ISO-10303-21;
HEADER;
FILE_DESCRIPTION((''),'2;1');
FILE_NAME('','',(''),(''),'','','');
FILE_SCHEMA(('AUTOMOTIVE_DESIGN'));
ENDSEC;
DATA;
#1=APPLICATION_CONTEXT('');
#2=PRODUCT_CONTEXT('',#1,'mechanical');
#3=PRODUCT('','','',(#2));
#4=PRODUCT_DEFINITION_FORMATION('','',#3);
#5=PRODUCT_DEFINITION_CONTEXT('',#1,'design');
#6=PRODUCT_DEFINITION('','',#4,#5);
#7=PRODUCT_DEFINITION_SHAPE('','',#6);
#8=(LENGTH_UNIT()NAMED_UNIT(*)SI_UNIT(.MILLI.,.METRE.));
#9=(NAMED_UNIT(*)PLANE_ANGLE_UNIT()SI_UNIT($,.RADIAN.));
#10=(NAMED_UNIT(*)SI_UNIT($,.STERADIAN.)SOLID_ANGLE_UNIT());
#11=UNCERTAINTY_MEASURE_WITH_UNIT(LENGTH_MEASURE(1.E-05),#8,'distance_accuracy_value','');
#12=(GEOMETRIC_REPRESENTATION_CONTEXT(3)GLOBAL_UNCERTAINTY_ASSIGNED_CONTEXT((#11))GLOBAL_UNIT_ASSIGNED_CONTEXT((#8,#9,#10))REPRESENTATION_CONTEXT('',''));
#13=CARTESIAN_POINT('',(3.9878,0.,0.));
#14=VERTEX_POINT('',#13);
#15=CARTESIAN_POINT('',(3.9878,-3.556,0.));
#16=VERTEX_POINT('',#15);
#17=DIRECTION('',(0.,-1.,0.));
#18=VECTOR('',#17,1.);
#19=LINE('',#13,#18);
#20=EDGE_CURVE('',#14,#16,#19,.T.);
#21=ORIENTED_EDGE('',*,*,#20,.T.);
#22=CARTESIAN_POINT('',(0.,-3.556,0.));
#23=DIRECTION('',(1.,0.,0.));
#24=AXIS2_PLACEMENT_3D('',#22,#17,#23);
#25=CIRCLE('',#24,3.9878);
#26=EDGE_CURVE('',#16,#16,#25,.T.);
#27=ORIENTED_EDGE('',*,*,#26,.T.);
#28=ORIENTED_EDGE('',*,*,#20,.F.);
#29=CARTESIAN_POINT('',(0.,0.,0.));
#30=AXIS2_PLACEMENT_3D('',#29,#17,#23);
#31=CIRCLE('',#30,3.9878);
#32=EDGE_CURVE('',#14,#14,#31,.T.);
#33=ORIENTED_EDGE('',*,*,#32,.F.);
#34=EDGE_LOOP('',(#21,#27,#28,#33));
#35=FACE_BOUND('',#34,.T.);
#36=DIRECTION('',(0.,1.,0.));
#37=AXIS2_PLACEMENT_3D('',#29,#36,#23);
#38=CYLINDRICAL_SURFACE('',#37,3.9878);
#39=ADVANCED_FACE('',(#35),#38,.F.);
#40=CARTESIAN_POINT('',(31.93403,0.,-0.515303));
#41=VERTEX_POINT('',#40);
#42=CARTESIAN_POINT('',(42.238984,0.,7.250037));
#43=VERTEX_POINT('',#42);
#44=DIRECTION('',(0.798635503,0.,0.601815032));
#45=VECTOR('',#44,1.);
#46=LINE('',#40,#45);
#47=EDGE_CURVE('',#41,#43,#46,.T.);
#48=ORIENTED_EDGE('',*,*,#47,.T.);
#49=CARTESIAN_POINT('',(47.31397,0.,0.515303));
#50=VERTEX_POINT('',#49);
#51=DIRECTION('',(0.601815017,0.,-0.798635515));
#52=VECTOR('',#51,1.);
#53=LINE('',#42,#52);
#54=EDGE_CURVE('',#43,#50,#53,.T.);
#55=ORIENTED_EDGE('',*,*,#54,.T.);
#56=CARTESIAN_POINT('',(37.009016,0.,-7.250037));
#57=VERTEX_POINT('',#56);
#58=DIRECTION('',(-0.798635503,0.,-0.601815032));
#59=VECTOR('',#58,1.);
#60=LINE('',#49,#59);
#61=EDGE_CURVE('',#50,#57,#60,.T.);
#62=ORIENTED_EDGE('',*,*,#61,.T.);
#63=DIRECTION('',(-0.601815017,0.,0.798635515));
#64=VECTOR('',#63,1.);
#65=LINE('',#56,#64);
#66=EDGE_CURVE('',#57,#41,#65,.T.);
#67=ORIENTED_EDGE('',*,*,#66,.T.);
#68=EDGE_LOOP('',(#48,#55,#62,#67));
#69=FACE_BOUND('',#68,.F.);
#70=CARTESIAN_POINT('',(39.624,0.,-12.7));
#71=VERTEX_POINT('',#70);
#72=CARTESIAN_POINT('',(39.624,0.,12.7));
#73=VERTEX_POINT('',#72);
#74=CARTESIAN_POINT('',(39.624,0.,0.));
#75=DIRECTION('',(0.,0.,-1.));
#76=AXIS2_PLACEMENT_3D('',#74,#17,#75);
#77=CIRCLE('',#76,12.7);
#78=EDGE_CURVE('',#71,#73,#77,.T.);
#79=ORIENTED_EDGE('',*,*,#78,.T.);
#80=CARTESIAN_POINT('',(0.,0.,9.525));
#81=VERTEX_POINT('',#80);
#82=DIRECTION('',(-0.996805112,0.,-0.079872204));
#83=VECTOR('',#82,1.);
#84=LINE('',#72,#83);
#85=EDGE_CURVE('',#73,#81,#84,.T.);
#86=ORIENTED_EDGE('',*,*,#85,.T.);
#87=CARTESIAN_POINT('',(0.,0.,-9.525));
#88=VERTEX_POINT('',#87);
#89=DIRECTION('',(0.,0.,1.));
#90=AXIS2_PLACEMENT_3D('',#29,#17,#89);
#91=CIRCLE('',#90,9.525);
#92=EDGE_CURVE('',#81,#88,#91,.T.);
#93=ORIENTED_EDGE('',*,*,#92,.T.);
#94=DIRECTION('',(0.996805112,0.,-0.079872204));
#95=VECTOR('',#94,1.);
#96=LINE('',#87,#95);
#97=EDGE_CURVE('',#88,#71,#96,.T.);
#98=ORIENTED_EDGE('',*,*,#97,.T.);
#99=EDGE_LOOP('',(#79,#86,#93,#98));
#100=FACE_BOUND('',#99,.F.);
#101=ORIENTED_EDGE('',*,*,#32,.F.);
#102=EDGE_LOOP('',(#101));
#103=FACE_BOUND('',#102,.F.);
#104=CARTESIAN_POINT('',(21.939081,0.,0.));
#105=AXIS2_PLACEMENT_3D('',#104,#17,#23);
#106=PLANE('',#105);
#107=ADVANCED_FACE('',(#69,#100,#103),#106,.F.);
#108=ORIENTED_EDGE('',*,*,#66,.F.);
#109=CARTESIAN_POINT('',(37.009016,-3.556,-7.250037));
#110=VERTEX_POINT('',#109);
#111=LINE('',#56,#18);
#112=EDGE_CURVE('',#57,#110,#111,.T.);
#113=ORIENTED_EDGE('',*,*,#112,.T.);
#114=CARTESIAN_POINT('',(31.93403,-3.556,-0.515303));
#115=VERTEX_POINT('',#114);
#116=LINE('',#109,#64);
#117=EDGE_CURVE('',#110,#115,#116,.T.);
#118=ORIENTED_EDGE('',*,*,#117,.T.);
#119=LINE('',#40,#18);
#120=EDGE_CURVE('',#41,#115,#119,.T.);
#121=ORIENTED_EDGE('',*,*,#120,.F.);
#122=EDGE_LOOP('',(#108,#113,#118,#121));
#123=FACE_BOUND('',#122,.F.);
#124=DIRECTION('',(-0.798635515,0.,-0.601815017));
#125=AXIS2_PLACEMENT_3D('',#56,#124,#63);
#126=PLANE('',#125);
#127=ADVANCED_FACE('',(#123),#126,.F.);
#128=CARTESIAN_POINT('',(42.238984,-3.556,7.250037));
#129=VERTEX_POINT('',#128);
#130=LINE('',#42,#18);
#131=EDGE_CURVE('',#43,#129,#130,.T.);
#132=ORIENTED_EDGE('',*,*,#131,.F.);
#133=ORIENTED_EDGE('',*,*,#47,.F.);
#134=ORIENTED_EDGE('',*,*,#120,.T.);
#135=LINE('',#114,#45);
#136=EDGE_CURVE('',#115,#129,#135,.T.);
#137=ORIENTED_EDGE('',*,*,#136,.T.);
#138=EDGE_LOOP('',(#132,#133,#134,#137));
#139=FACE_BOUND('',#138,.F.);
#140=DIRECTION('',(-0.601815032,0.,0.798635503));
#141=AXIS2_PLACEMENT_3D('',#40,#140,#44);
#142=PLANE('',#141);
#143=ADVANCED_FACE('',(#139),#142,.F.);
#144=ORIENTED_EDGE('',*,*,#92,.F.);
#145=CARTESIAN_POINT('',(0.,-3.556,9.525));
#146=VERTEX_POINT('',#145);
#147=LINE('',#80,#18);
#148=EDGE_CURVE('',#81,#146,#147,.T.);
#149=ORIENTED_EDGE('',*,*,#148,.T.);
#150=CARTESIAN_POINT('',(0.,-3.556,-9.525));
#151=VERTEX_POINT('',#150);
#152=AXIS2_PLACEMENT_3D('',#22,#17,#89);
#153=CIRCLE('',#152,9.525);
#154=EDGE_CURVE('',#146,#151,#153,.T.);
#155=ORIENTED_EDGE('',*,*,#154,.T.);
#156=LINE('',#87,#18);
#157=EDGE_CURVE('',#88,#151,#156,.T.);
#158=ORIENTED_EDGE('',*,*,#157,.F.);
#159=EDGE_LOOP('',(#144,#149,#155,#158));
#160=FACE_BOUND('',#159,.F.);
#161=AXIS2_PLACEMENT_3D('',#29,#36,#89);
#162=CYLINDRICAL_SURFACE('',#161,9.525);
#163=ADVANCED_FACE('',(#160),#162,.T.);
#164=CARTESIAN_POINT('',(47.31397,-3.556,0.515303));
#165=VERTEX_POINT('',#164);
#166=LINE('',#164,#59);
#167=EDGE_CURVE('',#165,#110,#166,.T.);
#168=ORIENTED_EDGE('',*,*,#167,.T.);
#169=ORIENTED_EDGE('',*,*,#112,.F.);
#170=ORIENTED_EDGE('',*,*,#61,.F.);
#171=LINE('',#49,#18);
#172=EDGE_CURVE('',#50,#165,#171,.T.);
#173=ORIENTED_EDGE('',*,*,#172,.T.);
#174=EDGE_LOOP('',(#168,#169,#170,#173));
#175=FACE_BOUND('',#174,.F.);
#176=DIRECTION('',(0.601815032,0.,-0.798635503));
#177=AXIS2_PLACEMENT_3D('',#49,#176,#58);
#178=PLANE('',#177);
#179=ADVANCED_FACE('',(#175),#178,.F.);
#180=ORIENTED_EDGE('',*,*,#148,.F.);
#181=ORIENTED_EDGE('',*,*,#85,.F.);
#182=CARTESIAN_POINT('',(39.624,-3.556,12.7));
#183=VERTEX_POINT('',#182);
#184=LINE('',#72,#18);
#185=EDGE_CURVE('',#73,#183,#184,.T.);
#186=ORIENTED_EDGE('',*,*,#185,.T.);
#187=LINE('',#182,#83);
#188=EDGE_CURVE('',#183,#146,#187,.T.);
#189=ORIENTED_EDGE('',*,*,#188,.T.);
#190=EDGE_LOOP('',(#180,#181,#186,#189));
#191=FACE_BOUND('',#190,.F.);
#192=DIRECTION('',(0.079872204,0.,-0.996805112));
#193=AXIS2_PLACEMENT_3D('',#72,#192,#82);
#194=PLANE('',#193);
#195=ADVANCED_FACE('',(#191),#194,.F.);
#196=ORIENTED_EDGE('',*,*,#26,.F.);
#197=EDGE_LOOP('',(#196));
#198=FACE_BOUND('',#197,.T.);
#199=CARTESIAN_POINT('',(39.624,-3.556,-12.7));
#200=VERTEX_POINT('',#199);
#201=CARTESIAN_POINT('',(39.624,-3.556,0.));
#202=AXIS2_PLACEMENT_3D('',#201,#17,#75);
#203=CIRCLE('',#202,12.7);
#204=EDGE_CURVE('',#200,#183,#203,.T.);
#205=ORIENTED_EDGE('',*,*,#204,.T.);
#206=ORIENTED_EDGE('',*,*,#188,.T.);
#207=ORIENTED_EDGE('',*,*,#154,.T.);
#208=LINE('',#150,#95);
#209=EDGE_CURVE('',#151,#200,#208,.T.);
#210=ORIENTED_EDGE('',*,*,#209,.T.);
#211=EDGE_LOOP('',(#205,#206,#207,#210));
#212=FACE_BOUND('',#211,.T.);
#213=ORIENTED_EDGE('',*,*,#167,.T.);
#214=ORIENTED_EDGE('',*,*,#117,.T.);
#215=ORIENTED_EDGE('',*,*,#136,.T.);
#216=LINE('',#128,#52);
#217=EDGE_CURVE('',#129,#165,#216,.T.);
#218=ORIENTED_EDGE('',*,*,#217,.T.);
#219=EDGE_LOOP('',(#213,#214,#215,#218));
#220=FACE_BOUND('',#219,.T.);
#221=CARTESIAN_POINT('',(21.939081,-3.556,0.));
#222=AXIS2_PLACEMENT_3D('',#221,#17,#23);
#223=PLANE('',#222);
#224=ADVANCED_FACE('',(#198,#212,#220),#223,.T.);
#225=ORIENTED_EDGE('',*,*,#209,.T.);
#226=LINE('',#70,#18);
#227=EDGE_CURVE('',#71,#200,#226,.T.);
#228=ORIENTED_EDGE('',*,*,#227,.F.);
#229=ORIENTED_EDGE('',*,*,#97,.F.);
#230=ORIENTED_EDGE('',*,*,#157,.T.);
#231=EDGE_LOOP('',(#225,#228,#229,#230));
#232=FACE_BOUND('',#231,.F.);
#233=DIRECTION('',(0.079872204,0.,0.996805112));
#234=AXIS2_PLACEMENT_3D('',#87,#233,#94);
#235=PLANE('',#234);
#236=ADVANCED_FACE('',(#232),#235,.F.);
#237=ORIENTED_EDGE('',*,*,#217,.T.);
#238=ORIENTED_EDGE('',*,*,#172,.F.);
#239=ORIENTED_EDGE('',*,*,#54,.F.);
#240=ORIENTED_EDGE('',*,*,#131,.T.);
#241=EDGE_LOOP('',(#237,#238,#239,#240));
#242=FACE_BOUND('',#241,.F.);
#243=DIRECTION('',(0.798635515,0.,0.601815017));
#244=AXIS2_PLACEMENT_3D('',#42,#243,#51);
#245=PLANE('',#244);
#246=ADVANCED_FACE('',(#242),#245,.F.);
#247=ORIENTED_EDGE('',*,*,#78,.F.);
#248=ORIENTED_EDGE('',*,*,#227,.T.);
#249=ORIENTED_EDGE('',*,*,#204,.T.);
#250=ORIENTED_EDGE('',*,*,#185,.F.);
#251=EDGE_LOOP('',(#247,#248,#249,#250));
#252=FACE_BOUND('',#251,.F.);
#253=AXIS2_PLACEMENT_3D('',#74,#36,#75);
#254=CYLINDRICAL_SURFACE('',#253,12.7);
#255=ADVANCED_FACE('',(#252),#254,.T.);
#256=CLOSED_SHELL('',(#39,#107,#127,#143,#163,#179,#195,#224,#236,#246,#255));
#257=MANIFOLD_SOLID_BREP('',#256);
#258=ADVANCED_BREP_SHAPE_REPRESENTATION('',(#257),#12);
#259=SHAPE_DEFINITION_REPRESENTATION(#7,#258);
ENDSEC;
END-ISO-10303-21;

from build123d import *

# Parameters (mm, degrees)
F0_R     = 3.9878
F1_DEPTH = 3.556


with BuildPart() as f1:
    # F0 (on Front) → F1 (new body)
    with BuildSketch(Plane.XZ):
        with BuildLine():
            Line((39.624, 12.7), (0, 9.525))
            ThreePointArc((0, 9.525), (-9.525, 0), (0, -9.525))
            Line((0, -9.525), (39.624, -12.7))
            ThreePointArc((39.624, -12.7), (52.324, 0), (39.624, 12.7))
        make_face()
        Circle(F0_R, mode=Mode.SUBTRACT)
        Polygon((37.009016, -7.250037), (31.93403, -0.515303), (42.238984, 7.250037), (47.31397, 0.515303), align=None, mode=Mode.SUBTRACT)
    extrude(amount=F1_DEPTH)


solid = f1.part
